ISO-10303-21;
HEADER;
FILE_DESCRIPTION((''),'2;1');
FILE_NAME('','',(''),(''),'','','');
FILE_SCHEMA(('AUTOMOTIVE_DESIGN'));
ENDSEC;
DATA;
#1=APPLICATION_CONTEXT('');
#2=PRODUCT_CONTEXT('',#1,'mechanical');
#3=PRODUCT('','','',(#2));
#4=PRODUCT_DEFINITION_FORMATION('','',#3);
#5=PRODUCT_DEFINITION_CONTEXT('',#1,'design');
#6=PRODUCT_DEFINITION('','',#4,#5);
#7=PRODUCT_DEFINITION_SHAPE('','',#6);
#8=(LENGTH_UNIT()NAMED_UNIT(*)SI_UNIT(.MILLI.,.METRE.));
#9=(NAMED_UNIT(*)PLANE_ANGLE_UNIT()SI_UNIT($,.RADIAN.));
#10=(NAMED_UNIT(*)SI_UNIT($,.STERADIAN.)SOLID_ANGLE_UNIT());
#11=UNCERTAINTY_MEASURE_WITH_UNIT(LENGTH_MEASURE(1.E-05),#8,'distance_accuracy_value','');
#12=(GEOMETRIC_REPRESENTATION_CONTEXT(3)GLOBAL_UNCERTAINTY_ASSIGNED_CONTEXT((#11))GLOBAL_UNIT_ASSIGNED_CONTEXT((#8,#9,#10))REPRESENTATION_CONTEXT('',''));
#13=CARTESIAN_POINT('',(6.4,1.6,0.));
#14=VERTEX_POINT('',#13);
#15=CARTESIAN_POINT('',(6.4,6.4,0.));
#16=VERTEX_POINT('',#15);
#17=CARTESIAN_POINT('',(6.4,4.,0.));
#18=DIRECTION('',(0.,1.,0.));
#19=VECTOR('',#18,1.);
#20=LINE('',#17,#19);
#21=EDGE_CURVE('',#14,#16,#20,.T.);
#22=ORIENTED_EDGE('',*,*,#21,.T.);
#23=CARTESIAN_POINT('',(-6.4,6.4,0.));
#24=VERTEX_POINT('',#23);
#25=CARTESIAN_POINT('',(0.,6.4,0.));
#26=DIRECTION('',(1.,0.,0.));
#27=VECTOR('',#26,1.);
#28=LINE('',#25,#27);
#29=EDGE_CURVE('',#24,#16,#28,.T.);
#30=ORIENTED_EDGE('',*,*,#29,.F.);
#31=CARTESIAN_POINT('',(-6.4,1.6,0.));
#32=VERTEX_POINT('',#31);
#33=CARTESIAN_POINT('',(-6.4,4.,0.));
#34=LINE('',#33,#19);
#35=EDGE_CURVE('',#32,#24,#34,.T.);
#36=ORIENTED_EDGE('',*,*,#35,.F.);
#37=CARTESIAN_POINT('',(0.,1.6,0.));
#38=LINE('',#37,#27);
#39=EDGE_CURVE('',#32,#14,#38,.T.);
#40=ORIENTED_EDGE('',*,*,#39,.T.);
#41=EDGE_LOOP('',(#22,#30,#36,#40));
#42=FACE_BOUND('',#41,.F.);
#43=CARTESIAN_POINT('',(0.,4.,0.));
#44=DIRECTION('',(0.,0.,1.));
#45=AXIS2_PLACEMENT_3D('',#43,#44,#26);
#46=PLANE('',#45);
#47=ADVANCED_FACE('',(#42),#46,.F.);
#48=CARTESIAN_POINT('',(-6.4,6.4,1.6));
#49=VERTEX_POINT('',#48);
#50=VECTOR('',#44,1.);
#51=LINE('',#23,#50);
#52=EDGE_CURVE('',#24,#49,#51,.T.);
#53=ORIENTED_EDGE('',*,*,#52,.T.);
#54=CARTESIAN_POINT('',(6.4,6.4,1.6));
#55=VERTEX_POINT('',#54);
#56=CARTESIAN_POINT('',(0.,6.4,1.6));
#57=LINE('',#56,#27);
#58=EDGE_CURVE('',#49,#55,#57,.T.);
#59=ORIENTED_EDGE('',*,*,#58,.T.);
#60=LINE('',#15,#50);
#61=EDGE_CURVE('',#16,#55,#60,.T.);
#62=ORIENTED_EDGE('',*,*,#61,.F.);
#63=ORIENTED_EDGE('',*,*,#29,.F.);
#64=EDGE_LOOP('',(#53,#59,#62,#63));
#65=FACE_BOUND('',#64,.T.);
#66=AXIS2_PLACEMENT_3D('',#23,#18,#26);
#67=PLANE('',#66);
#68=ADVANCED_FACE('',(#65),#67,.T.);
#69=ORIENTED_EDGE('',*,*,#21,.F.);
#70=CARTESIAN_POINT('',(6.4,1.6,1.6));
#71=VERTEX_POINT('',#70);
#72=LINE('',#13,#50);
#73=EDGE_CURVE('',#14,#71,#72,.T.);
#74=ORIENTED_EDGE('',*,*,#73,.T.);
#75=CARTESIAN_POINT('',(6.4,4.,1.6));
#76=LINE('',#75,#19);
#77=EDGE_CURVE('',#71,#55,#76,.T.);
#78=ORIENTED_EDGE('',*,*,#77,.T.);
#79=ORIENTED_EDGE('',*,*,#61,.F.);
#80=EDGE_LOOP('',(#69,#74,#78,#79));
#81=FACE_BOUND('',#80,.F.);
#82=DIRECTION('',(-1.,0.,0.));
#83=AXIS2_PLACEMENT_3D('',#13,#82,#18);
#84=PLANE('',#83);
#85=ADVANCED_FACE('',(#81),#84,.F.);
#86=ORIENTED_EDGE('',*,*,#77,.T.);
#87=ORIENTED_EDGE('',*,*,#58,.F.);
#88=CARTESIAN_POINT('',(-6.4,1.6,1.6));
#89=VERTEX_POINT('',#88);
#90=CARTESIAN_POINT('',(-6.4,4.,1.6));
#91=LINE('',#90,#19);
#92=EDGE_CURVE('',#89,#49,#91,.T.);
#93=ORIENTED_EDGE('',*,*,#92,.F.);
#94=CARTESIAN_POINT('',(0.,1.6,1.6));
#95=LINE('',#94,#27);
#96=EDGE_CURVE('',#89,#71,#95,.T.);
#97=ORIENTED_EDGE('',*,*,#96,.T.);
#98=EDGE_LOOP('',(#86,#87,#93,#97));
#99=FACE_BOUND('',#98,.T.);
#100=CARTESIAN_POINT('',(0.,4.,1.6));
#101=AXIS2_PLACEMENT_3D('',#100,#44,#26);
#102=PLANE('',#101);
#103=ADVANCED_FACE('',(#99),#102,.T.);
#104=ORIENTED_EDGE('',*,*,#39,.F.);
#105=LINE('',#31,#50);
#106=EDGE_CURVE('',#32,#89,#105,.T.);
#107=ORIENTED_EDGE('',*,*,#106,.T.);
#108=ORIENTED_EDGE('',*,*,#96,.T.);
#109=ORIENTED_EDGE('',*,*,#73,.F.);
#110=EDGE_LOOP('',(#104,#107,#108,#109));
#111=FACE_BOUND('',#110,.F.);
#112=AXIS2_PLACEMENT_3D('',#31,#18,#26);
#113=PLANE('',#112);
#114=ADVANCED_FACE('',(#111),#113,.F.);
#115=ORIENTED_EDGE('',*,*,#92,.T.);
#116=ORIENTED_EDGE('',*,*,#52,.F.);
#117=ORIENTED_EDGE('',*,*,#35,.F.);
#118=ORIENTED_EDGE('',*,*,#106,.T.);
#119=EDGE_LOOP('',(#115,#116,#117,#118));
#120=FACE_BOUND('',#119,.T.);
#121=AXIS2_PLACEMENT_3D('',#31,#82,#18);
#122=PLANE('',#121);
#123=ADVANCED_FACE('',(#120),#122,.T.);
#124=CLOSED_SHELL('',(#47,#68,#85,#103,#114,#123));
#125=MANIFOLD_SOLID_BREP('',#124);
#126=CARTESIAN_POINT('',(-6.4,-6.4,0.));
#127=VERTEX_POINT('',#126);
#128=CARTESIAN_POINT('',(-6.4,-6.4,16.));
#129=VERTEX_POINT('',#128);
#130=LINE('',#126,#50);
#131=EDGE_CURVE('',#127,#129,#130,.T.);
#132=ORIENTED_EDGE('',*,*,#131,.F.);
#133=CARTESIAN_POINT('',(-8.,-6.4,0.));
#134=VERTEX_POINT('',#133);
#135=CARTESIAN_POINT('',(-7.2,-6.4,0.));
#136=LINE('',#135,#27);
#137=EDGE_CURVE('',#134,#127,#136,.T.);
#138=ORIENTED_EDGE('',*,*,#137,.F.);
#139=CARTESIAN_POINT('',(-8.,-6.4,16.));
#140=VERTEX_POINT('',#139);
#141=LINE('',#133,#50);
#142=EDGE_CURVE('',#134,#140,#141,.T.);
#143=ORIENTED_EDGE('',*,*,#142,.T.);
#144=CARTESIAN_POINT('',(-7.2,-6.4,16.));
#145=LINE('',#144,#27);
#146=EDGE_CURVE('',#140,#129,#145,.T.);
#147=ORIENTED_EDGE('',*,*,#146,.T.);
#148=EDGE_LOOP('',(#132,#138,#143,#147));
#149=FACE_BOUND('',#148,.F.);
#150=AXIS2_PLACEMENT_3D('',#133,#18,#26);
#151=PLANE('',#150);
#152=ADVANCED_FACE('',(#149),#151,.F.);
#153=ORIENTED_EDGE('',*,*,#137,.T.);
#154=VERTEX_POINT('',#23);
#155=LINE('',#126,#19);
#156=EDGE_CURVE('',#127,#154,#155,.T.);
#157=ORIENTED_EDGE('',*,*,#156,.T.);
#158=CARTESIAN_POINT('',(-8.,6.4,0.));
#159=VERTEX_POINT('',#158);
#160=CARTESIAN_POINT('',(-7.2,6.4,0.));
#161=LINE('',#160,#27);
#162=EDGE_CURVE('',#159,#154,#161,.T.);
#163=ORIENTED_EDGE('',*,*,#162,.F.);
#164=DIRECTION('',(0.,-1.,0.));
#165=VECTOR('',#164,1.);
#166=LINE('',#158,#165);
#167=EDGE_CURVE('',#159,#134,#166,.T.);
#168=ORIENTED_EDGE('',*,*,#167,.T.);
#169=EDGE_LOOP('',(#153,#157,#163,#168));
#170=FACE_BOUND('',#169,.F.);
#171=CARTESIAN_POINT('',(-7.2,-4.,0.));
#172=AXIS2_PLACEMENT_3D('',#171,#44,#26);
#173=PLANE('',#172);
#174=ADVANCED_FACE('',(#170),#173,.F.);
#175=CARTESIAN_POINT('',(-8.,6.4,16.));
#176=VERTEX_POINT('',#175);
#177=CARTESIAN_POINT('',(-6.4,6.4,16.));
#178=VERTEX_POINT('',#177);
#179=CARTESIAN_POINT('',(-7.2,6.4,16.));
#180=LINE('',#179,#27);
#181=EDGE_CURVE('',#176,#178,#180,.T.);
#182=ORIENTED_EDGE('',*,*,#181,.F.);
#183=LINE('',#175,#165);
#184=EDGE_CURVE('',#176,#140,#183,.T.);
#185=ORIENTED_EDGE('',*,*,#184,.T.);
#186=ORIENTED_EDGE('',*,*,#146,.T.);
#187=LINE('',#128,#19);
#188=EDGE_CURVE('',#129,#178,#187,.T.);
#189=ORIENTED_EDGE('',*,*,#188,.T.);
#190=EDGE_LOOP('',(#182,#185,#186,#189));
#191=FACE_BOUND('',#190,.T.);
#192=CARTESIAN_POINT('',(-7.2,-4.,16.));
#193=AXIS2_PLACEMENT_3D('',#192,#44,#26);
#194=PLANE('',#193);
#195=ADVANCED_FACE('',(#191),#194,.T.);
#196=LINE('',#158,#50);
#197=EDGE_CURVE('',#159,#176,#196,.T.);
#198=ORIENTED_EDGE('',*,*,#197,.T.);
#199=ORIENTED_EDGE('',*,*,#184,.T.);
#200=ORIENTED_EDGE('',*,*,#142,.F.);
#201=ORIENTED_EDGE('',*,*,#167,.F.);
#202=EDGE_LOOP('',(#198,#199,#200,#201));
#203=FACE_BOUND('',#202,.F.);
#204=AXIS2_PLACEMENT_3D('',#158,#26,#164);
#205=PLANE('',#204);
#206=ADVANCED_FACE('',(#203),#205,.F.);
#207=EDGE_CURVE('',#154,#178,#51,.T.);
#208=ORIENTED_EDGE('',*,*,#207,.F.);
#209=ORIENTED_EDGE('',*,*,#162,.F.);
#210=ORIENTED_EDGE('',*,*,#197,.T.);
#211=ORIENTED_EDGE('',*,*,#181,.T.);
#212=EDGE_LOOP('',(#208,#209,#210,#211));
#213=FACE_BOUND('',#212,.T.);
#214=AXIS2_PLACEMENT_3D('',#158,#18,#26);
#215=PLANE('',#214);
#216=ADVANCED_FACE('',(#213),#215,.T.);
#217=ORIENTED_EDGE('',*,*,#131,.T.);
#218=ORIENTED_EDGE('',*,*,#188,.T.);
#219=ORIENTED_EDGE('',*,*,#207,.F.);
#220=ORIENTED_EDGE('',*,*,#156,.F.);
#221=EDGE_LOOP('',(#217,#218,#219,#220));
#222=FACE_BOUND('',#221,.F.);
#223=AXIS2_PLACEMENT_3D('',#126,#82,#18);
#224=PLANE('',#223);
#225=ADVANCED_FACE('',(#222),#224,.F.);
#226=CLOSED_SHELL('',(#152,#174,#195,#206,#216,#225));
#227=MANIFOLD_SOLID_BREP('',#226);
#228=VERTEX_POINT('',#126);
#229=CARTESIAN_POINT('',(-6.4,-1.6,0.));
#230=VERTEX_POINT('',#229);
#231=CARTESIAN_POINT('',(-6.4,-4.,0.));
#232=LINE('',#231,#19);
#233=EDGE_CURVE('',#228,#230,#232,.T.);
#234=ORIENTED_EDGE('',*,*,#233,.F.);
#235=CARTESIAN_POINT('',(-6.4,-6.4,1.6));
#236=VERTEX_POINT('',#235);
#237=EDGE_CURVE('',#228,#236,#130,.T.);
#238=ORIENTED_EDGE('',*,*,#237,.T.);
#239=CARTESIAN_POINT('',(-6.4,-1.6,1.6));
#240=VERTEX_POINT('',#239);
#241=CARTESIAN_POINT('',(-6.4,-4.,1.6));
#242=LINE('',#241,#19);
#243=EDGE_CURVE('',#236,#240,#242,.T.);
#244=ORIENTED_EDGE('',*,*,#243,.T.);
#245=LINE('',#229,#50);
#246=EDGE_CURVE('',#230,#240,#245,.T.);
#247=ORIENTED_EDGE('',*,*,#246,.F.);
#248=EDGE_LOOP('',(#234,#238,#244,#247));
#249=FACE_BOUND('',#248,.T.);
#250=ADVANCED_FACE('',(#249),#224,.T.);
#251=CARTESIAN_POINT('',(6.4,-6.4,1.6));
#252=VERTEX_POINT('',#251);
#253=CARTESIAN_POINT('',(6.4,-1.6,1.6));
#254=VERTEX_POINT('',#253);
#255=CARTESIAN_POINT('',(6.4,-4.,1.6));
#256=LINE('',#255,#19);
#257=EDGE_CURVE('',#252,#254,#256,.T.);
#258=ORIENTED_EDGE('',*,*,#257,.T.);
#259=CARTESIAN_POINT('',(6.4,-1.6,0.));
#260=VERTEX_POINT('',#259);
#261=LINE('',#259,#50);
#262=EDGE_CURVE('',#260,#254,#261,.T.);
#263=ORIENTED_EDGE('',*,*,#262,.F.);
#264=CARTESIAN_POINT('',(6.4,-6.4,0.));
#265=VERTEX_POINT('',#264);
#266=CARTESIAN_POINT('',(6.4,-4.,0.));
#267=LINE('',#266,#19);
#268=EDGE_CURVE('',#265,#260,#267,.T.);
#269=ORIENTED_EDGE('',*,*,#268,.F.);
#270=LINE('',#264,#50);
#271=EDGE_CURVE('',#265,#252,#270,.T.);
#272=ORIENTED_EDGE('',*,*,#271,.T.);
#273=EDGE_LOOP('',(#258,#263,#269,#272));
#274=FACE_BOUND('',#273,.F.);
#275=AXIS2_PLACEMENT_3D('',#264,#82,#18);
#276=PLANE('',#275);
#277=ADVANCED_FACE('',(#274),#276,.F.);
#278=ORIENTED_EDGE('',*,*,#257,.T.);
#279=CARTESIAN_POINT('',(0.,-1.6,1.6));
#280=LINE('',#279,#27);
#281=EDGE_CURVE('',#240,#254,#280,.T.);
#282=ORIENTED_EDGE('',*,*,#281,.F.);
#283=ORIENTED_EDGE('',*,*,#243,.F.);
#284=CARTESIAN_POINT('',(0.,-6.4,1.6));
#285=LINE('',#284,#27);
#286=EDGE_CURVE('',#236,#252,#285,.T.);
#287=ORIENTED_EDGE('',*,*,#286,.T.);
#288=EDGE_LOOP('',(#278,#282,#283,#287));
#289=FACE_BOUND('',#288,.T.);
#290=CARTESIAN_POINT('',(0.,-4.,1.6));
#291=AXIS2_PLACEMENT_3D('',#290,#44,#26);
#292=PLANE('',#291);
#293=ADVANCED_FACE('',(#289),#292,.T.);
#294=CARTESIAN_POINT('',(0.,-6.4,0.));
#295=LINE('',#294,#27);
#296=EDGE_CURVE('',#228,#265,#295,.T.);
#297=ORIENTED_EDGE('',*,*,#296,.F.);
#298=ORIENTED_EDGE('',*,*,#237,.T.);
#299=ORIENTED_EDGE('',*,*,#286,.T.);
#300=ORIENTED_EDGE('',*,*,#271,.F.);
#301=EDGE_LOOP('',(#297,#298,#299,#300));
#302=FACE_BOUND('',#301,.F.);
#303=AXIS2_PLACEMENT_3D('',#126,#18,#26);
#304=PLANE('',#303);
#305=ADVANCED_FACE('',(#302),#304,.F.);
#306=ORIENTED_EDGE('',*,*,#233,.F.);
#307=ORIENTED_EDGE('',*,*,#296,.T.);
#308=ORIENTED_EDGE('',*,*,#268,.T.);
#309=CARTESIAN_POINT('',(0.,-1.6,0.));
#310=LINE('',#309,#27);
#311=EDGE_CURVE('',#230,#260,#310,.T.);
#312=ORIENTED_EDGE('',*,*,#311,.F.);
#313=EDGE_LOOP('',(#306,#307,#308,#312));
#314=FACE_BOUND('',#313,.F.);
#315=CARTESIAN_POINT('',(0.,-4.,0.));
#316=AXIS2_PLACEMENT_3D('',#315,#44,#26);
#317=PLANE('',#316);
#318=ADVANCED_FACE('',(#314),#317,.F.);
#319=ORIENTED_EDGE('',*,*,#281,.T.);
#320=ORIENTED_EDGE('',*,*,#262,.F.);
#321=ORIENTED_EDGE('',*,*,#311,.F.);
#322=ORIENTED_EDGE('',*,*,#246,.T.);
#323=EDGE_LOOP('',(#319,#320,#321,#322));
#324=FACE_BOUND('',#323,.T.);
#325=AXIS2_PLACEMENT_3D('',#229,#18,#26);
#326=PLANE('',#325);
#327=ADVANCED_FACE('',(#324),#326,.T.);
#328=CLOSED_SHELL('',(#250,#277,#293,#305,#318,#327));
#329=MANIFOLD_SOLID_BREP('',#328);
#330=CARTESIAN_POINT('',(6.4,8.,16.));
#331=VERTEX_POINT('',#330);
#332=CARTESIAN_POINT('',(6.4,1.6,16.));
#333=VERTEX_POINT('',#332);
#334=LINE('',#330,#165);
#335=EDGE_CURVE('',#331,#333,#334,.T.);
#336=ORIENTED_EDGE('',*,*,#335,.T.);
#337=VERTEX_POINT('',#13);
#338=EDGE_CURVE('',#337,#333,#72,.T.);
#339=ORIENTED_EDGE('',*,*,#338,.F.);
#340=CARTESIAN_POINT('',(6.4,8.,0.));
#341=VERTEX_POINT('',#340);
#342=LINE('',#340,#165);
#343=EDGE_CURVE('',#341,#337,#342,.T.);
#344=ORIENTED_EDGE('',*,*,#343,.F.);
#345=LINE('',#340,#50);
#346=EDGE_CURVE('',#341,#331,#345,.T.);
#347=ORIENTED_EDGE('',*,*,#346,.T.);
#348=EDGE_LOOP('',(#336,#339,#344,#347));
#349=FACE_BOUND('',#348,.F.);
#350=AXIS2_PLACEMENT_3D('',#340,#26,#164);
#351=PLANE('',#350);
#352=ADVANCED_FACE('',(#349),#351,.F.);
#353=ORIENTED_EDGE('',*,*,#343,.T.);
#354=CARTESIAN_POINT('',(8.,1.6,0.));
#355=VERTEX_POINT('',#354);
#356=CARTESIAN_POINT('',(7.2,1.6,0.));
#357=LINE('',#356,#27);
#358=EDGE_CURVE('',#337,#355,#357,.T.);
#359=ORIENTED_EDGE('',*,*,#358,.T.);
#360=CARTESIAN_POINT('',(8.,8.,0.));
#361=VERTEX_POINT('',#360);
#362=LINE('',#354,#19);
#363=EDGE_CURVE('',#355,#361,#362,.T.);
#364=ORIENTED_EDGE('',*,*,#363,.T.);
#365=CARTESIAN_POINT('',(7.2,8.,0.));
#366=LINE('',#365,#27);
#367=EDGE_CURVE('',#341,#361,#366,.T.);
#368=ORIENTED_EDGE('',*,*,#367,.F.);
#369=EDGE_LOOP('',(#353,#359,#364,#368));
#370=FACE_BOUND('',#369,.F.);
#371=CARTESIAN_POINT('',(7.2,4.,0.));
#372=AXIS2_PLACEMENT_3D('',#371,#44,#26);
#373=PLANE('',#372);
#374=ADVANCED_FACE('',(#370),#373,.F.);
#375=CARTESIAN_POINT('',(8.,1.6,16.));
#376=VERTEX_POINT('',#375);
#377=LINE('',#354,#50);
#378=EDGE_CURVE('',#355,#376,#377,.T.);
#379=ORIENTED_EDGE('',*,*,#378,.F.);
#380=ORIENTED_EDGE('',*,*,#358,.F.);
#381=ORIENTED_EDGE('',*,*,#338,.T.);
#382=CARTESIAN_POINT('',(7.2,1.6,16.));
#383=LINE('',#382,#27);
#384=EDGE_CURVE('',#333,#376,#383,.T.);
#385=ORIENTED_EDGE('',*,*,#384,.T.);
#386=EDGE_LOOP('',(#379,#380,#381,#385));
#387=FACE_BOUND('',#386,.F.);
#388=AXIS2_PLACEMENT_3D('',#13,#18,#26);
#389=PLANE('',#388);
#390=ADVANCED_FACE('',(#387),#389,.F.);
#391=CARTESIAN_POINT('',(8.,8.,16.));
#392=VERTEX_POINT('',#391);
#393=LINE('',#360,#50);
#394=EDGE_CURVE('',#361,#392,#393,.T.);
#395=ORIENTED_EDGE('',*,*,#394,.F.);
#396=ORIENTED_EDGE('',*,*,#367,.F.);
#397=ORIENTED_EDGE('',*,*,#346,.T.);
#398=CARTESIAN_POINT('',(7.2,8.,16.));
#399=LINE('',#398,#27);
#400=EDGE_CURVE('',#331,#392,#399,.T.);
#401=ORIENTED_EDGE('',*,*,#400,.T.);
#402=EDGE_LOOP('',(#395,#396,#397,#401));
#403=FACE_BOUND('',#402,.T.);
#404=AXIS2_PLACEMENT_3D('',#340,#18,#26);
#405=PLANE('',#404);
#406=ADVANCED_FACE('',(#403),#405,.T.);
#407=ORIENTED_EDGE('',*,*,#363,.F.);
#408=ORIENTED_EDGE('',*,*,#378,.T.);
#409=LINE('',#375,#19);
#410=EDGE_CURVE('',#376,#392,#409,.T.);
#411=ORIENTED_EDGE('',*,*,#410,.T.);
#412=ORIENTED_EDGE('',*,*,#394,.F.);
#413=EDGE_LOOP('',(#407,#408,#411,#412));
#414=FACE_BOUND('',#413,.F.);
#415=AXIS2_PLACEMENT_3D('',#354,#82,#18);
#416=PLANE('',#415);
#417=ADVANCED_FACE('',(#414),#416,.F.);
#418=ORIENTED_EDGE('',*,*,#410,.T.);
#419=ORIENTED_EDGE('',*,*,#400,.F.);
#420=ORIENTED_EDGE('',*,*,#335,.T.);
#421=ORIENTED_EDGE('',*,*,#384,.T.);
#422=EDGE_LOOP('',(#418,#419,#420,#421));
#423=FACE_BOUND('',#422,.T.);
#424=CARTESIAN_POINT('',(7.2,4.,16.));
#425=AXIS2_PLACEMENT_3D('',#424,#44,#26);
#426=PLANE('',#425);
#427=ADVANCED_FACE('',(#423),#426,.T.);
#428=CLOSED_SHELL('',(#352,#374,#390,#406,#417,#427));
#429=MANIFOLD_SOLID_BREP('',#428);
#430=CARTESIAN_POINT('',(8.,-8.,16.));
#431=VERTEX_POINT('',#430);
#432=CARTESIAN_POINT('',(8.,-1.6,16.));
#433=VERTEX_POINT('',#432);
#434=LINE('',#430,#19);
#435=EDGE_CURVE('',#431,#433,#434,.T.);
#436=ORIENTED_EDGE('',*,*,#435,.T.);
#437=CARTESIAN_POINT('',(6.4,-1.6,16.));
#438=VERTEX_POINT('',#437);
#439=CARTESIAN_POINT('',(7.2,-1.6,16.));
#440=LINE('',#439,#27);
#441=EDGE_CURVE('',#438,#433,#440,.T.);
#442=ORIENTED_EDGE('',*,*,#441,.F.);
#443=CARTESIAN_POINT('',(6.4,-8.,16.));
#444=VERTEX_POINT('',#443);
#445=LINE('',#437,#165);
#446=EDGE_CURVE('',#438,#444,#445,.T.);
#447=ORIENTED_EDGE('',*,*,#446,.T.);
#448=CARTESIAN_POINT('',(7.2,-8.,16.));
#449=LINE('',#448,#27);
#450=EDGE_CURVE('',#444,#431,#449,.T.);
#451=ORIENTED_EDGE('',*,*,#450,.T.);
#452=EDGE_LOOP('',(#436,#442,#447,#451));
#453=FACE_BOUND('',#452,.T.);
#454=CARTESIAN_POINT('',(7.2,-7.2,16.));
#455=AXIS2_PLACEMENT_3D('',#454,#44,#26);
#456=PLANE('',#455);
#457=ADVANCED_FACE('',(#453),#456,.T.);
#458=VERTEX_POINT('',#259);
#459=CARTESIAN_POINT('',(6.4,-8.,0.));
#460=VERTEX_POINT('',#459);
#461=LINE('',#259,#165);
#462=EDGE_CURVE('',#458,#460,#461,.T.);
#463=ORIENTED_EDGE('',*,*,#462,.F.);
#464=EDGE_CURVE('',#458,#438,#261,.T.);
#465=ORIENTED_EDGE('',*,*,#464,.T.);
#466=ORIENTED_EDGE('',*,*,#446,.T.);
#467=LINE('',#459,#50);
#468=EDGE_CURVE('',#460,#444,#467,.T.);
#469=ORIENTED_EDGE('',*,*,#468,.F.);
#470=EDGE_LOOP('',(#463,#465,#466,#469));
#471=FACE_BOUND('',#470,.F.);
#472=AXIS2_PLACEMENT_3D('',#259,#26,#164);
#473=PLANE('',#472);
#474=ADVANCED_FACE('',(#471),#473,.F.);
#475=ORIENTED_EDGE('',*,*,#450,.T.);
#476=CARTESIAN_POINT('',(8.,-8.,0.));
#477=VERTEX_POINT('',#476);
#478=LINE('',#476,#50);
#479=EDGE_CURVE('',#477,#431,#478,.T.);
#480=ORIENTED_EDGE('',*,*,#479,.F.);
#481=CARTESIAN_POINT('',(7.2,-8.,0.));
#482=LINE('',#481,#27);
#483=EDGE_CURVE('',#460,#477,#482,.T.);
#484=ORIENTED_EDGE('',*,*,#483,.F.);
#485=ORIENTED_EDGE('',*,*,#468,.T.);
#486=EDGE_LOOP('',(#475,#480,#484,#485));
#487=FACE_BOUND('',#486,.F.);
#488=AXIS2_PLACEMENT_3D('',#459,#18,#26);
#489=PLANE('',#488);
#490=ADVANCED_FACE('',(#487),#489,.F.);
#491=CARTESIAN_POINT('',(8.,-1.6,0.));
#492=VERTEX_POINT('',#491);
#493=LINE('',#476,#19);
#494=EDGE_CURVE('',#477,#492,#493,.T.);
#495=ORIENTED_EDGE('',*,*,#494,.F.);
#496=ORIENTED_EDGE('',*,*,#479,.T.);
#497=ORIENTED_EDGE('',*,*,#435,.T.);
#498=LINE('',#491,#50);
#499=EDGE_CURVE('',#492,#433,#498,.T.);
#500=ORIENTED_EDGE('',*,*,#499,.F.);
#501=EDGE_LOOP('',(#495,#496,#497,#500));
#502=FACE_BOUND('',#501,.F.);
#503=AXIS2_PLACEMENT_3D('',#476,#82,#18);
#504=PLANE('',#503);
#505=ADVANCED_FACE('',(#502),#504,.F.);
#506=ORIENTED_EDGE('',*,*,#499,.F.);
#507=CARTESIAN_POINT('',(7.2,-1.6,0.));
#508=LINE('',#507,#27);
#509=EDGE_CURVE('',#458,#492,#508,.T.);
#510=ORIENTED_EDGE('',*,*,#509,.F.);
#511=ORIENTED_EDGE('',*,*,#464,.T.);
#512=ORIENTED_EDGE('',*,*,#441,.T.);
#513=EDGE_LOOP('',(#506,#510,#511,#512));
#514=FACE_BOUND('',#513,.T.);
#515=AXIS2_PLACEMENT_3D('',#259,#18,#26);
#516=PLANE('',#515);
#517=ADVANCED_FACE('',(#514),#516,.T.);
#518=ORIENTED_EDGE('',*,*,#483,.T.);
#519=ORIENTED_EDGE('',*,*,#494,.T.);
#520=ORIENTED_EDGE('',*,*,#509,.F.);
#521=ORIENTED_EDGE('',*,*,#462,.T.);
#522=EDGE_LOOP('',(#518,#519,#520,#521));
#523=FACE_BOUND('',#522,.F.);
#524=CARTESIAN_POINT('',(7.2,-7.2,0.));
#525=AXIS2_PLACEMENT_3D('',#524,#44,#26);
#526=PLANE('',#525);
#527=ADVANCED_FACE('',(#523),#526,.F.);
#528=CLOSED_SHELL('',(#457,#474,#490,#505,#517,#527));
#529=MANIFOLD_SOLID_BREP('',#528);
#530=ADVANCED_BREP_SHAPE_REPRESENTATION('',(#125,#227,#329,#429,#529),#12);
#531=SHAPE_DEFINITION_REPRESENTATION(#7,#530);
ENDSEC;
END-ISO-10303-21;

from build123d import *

# Parameters (mm, degrees)
F1_W     = 1.6
F1_H     = 1.6
F1_H_2   = 4.8
F2_DEPTH = 16
F1_H_3   = 3.2
F1_W_2   = 12.8
F3_DEPTH = 1.6


with BuildPart() as f2:
    # F1 (on Top) → F2 (new body)
    with BuildSketch(Plane.XY):
        with Locations((7.2, -7.2)):
            Rectangle(F1_W, F1_H)
        with Locations((7.2, -4)):
            Rectangle(F1_W, F1_H_2)
    extrude(amount=F2_DEPTH)


with BuildPart() as f2b:
    # F1 (on Top) → F2, piece 2 (new body)
    with BuildSketch(Plane.XY):
        with Locations((-7.2, -4)):
            Rectangle(F1_W, F1_H_2)
        with Locations((-7.2, 0)):
            Rectangle(F1_W, F1_H_3)
        with Locations((-7.2, 4)):
            Rectangle(F1_W, F1_H_2)
    extrude(amount=F2_DEPTH)


with BuildPart() as f2c:
    # F1 (on Top) → F2, piece 3 (new body)
    with BuildSketch(Plane.XY):
        with Locations((7.2, 4)):
            Rectangle(F1_W, F1_H_2)
        with Locations((7.2, 7.2)):
            Rectangle(F1_W, F1_H)
    extrude(amount=F2_DEPTH)


with BuildPart() as f3:
    # F1 (on Top) → F3 (new body)
    with BuildSketch(Plane.XY):
        with Locations((0, 4)):
            Rectangle(F1_W_2, F1_H_2)
    extrude(amount=F3_DEPTH)


with BuildPart() as f3b:
    # F1 (on Top) → F3, piece 2 (new body)
    with BuildSketch(Plane.XY):
        with Locations((0, -4)):
            Rectangle(F1_W_2, F1_H_2)
    extrude(amount=F3_DEPTH)


solid = Compound([f2.part, f2b.part, f2c.part, f3.part, f3b.part])
